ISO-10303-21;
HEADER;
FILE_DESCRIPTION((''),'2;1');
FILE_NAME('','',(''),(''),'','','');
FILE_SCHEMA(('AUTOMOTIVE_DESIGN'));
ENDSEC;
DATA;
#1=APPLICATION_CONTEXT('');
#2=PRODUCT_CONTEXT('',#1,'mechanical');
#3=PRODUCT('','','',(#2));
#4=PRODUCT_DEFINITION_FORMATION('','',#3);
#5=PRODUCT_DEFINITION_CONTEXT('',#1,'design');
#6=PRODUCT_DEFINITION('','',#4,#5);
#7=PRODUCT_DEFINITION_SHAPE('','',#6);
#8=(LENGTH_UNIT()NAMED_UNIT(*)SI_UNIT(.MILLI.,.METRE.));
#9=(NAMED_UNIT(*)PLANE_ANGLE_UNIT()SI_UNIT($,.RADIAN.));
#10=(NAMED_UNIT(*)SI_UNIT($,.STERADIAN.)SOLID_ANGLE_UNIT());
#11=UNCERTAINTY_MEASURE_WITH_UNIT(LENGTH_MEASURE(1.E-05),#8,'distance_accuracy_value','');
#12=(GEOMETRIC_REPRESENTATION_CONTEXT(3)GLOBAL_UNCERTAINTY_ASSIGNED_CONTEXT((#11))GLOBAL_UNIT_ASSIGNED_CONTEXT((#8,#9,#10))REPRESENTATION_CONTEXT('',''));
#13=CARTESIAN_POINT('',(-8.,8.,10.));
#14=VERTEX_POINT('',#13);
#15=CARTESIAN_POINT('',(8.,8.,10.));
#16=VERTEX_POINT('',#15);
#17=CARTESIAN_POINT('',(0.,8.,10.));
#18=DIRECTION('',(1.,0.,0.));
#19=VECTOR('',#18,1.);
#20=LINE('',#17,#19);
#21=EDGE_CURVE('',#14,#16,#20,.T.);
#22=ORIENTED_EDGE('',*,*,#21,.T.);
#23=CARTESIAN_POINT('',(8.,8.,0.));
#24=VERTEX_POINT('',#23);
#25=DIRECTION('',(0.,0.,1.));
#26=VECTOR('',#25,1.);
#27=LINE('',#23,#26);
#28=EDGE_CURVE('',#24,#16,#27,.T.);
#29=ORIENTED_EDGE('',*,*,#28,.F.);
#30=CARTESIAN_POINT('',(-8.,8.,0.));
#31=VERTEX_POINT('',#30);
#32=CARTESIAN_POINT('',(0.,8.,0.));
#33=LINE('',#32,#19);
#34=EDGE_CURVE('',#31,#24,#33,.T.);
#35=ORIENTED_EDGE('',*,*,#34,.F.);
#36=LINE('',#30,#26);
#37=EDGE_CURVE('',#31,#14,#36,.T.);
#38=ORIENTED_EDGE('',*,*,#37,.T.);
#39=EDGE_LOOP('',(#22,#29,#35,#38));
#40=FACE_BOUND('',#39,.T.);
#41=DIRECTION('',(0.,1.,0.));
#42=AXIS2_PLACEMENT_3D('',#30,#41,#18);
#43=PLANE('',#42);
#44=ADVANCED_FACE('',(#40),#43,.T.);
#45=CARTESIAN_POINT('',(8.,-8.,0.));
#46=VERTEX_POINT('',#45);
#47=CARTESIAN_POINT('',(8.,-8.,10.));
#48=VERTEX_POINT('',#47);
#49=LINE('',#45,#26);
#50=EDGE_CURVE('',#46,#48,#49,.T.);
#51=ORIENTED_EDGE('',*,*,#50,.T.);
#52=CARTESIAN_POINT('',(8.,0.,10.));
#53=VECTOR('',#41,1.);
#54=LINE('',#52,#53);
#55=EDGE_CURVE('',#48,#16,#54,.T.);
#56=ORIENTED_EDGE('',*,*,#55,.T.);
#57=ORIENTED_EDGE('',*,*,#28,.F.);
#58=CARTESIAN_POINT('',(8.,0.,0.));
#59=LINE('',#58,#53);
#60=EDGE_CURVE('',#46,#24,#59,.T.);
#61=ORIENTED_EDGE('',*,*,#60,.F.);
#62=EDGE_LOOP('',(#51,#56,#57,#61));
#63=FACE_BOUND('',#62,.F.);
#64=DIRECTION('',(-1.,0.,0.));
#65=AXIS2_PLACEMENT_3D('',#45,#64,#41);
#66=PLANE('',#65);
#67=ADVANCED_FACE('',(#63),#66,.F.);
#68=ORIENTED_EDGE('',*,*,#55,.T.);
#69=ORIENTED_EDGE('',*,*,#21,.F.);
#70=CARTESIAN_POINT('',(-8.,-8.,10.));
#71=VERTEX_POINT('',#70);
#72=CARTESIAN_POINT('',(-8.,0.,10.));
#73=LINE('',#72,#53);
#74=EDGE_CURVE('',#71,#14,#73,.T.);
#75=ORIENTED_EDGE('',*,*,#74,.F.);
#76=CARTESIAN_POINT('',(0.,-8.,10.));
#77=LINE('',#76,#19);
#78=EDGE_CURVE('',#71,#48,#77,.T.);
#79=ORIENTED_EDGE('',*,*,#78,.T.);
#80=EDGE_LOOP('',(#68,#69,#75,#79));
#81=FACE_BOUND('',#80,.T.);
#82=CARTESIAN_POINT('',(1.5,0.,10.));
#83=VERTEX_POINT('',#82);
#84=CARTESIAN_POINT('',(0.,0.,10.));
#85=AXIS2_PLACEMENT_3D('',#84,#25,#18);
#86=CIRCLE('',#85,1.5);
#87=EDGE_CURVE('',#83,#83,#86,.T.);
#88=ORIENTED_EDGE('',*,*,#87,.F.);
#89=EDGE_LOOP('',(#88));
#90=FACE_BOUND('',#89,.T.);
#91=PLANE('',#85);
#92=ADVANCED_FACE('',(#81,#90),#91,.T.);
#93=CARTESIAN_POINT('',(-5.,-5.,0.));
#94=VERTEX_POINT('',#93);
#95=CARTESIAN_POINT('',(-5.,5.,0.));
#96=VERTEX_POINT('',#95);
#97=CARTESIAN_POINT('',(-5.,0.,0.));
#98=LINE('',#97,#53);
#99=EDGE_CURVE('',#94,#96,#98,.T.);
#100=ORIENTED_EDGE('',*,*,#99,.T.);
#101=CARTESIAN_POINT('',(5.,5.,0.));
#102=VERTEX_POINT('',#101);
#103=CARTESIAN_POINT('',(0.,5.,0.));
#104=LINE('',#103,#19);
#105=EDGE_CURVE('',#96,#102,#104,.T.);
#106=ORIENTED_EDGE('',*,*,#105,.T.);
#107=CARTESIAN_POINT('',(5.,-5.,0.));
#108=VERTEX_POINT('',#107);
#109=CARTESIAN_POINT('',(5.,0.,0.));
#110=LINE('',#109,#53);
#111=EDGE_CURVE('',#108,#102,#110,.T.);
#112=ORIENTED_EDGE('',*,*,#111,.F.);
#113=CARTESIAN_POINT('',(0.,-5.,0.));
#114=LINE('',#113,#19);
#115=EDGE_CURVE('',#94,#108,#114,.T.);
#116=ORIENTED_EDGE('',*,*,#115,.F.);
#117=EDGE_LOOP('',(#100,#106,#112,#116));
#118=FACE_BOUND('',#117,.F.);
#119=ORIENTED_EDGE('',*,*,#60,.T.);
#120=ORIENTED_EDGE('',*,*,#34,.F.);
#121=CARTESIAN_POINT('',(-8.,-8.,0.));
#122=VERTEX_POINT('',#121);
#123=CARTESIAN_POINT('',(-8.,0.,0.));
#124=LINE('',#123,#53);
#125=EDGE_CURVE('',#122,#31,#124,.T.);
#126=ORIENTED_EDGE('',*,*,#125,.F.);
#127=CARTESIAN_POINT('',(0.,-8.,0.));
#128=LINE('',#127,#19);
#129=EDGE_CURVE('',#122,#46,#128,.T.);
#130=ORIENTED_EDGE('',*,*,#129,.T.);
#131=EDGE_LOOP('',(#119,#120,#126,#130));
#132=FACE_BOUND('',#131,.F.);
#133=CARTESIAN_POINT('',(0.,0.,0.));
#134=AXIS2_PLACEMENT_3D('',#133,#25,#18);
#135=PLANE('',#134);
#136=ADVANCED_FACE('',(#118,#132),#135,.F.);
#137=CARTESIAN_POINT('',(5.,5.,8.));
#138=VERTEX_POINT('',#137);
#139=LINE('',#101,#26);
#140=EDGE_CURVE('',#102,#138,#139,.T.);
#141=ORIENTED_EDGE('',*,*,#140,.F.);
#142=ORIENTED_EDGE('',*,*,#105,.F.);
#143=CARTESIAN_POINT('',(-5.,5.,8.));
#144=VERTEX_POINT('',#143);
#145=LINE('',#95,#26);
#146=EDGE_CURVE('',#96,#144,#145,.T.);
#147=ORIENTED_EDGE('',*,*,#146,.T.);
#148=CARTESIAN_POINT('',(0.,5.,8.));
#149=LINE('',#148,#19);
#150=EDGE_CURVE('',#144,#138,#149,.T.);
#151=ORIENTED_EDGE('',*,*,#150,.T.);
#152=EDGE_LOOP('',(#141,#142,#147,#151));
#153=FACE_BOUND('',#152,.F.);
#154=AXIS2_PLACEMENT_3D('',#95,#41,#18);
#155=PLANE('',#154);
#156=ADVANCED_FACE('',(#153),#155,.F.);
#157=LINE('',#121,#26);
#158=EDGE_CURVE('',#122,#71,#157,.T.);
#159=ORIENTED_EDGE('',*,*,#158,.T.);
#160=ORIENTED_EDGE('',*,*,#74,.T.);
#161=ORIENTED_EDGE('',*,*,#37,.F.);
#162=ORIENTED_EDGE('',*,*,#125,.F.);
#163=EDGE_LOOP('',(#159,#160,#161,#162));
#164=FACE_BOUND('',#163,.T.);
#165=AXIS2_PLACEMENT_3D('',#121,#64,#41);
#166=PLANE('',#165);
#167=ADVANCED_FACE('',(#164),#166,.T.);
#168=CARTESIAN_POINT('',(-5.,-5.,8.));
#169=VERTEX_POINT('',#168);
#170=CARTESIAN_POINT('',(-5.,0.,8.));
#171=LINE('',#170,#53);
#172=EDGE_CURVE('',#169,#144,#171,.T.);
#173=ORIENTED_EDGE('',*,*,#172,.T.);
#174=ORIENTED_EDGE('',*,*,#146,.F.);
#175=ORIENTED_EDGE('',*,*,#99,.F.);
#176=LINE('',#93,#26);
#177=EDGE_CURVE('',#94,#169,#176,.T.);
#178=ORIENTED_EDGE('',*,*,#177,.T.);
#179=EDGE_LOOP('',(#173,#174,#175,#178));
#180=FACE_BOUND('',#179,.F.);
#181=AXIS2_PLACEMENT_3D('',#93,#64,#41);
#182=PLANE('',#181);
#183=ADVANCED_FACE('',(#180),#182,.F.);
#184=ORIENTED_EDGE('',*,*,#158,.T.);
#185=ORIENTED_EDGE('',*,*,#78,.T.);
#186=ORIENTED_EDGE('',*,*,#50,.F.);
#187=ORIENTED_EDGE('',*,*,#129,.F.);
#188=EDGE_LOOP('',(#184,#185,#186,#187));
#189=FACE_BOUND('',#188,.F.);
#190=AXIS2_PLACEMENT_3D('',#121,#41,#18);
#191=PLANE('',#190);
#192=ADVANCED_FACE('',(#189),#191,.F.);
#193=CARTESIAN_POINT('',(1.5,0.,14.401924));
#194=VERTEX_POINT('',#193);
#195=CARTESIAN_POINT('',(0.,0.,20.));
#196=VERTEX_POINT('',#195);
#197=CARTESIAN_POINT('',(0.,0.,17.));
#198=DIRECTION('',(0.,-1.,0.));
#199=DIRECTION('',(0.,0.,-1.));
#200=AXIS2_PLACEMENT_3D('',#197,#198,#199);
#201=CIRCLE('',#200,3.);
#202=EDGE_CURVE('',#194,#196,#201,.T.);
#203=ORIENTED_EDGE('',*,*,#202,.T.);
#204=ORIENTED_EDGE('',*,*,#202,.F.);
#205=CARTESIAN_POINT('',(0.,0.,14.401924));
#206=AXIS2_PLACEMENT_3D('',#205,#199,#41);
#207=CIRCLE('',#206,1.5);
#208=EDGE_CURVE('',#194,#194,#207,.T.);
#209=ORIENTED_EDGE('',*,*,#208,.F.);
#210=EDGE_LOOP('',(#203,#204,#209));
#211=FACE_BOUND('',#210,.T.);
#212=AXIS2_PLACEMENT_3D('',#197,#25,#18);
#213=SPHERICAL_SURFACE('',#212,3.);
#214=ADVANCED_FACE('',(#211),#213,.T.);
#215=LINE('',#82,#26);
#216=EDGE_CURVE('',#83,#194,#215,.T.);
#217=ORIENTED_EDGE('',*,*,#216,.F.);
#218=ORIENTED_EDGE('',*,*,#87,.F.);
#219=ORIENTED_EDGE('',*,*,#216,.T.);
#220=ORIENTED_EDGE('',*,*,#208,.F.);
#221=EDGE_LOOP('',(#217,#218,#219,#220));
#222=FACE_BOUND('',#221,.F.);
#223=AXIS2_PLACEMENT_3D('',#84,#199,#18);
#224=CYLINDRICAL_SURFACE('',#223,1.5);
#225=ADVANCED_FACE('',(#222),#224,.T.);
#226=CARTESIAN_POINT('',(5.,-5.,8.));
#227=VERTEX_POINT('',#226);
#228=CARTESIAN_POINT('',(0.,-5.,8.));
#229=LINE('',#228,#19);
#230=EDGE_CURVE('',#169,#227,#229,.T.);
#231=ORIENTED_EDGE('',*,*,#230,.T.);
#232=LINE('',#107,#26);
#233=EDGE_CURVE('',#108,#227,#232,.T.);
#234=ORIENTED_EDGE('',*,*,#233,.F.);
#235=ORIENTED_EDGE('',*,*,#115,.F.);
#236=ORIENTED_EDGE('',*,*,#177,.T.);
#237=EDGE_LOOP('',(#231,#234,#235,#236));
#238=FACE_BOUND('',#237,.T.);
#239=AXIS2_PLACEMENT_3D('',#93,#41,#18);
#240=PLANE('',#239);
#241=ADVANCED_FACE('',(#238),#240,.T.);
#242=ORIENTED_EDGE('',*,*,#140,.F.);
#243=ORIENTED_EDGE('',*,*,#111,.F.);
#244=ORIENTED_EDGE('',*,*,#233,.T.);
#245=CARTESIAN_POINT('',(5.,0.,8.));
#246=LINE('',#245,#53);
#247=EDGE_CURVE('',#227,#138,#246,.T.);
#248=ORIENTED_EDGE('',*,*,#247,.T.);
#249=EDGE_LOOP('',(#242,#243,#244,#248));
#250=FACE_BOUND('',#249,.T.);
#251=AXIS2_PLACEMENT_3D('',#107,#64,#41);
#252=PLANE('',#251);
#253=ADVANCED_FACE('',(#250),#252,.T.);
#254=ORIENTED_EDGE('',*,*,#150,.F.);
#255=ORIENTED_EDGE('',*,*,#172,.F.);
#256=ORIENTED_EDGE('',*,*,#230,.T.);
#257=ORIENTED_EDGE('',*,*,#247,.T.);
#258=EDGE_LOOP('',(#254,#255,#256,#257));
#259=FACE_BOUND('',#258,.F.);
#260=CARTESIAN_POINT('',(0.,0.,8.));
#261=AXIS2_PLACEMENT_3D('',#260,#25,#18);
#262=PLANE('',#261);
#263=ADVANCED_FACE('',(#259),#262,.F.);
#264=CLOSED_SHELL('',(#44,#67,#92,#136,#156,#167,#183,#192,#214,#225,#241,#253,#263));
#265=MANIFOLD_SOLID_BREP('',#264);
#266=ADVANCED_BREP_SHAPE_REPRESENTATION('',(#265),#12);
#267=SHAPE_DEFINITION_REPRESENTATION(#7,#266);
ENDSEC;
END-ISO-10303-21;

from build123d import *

# Parameters (mm, degrees)
BOX001_W       = 10
BOX001_H       = 10
BOX001_DEPTH   = 8
CYLINDER_R     = 1.5
CYLINDER_DEPTH = 5
BOX_W          = 16
BOX_H          = 16
BOX_DEPTH      = 10


with BuildPart() as cube001:
    # Box001 → Box001 (new body)
    with BuildSketch(Plane(origin=(-5, -5, 0), x_dir=(1, 0, 0), z_dir=(0, 0, 1))):
        with Locations((5, 5)):
            Rectangle(BOX001_W, BOX001_H)
    extrude(amount=BOX001_DEPTH)


with BuildPart() as cylinder:
    # Cylinder → Cylinder (new body)
    with BuildSketch(Plane.XY.offset(10)):
        Circle(CYLINDER_R)
    extrude(amount=CYLINDER_DEPTH)


with BuildPart() as sphere:
    # Sphere → Sphere (revolve)
    with BuildSketch(Plane(origin=(0, 0, 17), x_dir=(1, 0, 0), z_dir=(0, -1, 0))):
        with BuildLine():
            ThreePointArc((0, -3), (3, 0), (0, 3))
            Line((0, 3), (0, -3))
        make_face()
    revolve(axis=Axis((0, 0, 17), (0, 0, 1)))


with BuildPart() as cut:
    # Box → Box (new body)
    with BuildSketch(Plane(origin=(-8, -8, 0), x_dir=(1, 0, 0), z_dir=(0, 0, 1))):
        with Locations((8, 8)):
            Rectangle(BOX_W, BOX_H)
    extrude(amount=BOX_DEPTH)

    # Fusion: union Cylinder, Sphere
    add(cylinder.part)
    add(sphere.part)

    # Cut: cut Cube001
    add(cube001.part, mode=Mode.SUBTRACT)


solid = cut.part
